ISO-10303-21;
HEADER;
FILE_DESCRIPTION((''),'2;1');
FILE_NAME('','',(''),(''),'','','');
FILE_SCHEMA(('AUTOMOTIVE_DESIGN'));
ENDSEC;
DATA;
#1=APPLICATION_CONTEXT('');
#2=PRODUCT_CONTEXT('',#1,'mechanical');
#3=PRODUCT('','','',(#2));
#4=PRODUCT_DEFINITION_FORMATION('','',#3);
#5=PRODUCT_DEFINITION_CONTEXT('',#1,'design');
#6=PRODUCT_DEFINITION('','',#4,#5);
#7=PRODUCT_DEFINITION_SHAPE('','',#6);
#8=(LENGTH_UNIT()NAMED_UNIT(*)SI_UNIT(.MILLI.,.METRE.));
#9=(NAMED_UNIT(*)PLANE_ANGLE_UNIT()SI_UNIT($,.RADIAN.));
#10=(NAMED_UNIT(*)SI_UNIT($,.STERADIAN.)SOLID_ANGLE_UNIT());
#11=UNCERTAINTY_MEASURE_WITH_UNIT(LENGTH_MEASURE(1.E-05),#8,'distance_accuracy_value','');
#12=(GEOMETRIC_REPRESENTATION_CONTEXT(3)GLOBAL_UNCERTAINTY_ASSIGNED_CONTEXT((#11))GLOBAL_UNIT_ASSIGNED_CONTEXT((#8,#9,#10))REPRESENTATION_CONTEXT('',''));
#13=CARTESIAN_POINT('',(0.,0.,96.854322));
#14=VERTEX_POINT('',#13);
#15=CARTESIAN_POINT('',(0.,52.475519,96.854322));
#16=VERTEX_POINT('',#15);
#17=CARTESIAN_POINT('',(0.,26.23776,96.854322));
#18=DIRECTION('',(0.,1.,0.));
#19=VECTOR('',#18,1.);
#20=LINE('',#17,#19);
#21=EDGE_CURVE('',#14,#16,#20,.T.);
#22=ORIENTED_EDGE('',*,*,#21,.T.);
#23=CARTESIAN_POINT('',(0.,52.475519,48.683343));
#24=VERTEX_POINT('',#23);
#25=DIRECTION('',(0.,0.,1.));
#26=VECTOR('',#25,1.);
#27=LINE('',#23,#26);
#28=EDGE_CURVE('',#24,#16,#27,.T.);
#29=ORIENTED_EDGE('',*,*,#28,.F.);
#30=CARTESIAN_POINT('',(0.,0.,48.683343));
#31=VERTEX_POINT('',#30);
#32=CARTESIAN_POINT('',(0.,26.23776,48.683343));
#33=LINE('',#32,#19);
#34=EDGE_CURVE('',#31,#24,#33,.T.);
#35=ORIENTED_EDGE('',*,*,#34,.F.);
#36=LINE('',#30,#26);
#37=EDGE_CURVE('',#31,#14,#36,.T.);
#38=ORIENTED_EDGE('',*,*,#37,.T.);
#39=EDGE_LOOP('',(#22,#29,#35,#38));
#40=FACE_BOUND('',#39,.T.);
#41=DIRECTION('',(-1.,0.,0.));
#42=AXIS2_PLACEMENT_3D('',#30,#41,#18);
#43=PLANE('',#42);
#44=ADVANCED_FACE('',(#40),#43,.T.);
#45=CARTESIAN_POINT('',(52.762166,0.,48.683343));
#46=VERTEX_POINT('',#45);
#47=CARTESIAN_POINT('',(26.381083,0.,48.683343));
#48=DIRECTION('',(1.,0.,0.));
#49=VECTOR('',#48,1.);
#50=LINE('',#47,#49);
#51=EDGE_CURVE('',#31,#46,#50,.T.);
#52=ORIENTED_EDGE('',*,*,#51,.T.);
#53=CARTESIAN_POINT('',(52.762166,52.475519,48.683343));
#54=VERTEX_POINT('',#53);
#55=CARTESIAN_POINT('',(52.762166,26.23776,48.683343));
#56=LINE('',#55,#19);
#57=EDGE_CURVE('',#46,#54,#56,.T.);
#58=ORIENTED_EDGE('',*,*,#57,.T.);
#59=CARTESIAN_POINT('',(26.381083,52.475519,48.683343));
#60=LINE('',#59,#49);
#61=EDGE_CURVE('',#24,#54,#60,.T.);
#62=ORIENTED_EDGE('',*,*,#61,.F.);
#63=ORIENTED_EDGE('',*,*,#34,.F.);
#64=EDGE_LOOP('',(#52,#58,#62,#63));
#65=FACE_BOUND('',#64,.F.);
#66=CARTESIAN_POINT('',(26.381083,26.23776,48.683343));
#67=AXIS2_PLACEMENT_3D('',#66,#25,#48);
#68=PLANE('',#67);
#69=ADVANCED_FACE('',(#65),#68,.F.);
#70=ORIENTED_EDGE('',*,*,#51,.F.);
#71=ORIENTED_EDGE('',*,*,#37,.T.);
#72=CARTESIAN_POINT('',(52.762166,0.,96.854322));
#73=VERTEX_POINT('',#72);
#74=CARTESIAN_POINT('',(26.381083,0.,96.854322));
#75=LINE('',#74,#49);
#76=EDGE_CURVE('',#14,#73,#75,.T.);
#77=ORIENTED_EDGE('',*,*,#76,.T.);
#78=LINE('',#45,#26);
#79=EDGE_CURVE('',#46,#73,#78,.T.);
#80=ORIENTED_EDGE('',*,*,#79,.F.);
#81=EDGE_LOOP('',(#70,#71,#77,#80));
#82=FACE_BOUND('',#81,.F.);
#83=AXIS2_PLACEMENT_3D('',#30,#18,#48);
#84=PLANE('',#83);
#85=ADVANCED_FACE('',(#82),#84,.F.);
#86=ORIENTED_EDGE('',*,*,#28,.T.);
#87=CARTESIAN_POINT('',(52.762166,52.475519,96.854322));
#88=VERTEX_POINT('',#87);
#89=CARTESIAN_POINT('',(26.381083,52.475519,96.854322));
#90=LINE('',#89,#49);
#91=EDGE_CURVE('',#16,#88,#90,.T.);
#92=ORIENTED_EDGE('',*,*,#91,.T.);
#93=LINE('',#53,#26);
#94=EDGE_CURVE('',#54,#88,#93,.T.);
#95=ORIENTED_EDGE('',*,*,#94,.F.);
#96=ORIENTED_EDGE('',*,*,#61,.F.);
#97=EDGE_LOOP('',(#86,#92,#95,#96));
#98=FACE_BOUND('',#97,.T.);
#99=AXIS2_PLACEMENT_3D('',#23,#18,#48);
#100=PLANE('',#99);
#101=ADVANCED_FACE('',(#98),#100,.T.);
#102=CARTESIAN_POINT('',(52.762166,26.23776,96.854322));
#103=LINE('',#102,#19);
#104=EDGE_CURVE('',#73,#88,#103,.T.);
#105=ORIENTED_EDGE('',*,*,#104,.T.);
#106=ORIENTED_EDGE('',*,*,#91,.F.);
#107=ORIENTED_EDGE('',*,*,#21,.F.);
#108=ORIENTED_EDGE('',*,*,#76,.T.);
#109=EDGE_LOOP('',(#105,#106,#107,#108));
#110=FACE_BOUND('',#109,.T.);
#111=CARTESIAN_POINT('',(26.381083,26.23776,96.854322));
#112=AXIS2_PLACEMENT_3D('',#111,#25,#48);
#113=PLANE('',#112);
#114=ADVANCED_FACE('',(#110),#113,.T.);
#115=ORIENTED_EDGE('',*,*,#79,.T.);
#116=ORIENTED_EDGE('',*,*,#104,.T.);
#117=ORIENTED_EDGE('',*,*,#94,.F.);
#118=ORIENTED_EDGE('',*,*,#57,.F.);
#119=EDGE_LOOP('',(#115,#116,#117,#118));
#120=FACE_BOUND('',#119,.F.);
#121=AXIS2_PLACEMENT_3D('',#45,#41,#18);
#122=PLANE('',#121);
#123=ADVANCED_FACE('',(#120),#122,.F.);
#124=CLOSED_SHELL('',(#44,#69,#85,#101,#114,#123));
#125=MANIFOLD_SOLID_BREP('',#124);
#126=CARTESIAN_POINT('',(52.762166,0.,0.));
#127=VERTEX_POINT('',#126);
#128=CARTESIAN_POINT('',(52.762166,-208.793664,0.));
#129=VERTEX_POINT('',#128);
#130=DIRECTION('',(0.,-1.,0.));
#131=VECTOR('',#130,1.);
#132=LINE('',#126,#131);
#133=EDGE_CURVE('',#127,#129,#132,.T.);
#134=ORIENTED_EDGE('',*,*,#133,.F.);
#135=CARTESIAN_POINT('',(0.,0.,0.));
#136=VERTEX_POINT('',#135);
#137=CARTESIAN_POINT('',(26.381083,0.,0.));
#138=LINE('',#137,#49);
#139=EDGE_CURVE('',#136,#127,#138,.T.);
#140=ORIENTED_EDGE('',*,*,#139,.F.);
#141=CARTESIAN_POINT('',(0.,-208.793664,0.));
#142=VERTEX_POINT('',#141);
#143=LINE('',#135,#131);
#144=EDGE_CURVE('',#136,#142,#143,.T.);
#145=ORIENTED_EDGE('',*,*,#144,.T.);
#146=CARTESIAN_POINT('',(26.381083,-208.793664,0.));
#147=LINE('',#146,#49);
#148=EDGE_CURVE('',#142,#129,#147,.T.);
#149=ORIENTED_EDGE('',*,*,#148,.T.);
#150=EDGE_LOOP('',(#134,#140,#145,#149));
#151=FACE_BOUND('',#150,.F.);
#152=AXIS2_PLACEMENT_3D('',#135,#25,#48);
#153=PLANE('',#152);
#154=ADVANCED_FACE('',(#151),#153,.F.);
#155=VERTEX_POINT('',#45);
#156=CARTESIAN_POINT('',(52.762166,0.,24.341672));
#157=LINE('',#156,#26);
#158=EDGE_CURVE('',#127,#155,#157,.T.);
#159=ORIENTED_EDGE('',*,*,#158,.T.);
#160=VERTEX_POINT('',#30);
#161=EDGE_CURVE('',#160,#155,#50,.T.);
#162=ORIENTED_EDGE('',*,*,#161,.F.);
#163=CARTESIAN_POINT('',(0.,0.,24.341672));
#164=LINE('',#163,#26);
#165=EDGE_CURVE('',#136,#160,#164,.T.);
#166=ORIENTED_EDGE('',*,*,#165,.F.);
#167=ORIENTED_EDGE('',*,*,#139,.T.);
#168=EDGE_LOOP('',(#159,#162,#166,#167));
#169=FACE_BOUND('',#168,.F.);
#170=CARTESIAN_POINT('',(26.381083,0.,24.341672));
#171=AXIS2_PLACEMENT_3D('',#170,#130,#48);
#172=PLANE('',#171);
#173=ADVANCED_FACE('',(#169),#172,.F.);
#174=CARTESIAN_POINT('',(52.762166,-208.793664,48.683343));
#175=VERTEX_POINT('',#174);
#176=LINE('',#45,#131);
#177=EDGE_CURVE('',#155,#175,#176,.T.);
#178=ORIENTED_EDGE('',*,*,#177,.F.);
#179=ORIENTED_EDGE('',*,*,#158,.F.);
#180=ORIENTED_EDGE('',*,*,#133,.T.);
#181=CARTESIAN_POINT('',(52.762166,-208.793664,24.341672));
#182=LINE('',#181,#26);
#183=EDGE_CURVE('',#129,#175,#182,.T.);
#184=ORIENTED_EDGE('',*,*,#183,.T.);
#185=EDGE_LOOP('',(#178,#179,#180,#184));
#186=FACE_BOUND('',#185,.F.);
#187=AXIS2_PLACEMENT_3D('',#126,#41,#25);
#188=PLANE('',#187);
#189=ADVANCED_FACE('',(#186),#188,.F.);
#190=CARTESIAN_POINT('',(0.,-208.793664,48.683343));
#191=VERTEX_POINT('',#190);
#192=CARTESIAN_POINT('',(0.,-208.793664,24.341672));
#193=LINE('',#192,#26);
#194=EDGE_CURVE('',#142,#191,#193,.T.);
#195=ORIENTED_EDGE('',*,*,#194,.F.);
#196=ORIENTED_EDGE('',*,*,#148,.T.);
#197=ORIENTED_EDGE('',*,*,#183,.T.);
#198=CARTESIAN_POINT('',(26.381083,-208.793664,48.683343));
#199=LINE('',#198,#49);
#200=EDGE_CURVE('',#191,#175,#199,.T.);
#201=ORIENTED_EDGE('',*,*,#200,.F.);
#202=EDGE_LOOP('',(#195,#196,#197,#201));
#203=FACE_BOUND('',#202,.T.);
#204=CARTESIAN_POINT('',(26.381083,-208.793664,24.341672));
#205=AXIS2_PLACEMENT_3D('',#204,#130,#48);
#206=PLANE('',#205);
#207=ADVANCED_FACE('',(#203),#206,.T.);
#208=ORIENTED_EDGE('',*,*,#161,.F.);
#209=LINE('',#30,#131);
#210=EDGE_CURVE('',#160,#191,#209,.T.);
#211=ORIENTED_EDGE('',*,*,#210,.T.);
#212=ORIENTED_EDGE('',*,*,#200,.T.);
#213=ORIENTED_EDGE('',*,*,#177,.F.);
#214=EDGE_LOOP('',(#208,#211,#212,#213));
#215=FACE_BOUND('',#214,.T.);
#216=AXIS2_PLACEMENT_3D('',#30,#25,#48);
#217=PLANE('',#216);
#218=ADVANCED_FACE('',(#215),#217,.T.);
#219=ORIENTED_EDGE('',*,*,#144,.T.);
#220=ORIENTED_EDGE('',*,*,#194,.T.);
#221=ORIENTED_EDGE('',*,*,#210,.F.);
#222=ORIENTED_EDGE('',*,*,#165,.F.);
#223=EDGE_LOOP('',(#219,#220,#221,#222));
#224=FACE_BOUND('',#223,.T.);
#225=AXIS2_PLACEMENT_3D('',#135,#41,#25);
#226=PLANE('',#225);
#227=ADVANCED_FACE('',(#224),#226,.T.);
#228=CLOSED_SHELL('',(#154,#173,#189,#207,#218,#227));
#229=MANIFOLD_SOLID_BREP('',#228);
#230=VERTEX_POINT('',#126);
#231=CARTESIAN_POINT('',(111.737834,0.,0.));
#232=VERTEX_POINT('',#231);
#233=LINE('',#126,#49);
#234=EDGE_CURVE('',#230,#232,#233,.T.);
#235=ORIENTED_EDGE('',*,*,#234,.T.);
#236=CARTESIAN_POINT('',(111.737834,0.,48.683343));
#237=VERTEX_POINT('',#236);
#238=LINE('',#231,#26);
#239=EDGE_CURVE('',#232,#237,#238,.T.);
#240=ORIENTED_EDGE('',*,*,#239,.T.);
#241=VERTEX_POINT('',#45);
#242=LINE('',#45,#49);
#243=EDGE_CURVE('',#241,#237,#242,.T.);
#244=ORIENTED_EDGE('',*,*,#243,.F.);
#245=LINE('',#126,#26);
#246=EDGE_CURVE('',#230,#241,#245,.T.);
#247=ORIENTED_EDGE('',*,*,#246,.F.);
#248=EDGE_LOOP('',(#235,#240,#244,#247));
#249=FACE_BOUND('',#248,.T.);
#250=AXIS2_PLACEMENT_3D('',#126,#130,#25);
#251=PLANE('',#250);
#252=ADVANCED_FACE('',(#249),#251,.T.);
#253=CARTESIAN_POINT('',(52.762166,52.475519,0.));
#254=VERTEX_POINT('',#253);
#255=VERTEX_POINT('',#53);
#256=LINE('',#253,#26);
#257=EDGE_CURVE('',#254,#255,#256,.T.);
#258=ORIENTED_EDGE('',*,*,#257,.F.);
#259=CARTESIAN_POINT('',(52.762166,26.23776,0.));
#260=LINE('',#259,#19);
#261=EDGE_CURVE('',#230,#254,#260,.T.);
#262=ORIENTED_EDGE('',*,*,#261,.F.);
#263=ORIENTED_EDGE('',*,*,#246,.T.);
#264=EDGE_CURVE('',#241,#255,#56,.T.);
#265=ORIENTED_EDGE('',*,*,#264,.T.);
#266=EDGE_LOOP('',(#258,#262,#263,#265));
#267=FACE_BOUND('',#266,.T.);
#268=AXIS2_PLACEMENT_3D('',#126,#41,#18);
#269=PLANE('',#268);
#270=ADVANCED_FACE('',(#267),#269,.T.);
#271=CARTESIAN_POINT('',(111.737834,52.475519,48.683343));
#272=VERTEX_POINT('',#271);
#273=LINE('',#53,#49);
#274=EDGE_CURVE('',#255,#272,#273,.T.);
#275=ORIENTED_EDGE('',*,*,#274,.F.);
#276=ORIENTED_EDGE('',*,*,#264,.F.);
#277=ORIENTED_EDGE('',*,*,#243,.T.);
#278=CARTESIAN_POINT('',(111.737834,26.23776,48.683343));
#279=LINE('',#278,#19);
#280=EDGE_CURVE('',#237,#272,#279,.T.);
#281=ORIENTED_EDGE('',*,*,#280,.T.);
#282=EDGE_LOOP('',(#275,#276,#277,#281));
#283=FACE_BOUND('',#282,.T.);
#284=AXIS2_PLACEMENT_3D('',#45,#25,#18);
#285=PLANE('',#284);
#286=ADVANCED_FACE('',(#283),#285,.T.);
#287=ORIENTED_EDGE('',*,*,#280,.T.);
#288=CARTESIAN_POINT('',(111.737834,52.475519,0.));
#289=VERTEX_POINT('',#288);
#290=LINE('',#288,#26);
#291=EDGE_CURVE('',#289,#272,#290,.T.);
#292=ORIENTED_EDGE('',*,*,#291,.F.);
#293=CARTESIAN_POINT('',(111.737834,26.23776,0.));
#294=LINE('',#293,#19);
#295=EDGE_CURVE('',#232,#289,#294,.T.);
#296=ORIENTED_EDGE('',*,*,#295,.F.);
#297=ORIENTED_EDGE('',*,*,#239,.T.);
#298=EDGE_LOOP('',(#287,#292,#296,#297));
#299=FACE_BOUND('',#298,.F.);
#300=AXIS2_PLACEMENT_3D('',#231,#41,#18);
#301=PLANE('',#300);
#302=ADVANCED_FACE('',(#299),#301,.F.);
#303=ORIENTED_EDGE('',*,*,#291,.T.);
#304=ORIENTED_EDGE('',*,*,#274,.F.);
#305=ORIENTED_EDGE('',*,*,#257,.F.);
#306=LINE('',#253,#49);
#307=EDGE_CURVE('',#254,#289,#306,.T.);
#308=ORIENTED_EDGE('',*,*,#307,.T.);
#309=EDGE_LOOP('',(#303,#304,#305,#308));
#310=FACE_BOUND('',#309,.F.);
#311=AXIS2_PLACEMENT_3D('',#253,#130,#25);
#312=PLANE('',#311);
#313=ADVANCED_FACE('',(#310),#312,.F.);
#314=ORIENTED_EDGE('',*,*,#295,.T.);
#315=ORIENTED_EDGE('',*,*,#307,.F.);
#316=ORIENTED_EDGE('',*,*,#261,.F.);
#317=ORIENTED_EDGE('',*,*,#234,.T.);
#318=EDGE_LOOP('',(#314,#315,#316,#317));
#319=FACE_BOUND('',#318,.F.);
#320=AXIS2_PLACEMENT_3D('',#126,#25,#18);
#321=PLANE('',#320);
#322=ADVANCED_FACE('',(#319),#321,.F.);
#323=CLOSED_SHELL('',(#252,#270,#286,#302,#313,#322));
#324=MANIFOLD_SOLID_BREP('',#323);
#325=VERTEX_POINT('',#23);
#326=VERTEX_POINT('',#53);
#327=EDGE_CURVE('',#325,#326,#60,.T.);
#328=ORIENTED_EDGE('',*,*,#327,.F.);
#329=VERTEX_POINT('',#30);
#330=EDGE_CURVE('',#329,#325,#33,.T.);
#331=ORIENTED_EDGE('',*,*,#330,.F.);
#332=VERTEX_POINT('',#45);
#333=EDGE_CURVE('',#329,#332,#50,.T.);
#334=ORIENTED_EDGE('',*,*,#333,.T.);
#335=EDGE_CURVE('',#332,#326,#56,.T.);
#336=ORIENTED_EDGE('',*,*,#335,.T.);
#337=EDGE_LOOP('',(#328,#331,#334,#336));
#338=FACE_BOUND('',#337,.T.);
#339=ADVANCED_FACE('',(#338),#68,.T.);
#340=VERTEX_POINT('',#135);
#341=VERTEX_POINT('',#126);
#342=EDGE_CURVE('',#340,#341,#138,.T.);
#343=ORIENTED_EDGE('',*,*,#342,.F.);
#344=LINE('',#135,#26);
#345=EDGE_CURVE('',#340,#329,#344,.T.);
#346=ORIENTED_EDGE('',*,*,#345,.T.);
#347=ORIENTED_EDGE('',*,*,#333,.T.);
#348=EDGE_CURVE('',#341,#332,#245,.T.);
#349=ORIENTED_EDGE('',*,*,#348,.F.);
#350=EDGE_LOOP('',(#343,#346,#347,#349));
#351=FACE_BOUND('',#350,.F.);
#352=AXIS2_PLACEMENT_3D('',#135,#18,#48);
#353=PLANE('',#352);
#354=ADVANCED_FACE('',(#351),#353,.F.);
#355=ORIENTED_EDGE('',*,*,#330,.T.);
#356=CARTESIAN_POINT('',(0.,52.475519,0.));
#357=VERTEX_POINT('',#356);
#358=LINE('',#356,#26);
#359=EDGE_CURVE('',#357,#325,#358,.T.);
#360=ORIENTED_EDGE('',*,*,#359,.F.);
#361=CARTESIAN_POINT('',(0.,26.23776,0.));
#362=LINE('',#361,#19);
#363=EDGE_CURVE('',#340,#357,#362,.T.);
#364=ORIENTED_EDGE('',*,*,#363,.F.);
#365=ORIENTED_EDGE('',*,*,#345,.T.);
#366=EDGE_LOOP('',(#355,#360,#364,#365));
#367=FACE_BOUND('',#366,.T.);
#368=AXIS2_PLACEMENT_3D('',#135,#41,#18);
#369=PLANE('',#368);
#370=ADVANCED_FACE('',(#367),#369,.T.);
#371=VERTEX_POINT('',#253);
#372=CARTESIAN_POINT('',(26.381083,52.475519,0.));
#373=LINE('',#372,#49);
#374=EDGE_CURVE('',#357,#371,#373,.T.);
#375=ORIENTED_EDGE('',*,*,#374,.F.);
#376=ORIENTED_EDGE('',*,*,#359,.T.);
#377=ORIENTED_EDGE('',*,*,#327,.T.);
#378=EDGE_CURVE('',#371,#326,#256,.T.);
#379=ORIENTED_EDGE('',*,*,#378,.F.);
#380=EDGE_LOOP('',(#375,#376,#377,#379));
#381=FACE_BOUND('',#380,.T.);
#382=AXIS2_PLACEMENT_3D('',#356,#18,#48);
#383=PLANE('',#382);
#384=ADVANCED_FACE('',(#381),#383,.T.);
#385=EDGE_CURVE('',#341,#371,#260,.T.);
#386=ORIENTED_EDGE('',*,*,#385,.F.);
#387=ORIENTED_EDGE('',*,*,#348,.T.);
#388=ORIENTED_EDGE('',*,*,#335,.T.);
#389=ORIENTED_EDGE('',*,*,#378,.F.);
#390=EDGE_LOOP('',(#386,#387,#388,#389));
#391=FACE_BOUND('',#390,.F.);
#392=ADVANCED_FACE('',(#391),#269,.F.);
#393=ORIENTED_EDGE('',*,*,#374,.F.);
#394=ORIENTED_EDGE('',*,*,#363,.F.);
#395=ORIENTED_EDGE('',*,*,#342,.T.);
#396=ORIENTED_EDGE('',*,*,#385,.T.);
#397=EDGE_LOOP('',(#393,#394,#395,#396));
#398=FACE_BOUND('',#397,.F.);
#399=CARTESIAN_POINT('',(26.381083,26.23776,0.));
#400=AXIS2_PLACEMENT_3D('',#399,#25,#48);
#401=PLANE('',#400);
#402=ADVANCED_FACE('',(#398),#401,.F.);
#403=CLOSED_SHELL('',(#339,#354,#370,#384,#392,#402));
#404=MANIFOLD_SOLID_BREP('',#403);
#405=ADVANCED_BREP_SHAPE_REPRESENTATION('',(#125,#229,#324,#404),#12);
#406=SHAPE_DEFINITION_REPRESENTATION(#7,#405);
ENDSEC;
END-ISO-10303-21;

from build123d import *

# Parameters (mm, degrees)
F0_W     = 52.7621656656
F0_H     = 52.4755194783
F1_DEPTH = 48.6833434552
F2_DEPTH = 48.1709782034
F3_W     = 52.7621656656
F3_H     = 48.6833434552
F4_DEPTH = 208.7936643511
F5_DEPTH = 58.975668624


with BuildPart() as f1:
    # F0 (on Top) → F1 (new body)
    with BuildSketch(Plane.XY):
        with Locations((26.3810828328, 26.2377597392)):
            Rectangle(F0_W, F0_H)
    extrude(amount=F1_DEPTH)


with BuildPart() as f2:
    # F2 (new): a face of the model
    f2_faces = [f1.part.faces().sort_by_distance(p)[0] for p in [
        (26.3810828328, 26.2377597392, 48.6833434552),
    ]]
    extrude(f2_faces, amount=F2_DEPTH)


with BuildPart() as f4:
    # F3 (on face) → F4 (new body)
    with BuildSketch(Plane.XZ):
        with Locations((26.3810828328, 24.3416717276)):
            Rectangle(F3_W, F3_H)
    extrude(amount=F4_DEPTH)


with BuildPart() as f5:
    # F5 (new): a face of the model
    f5_faces = [f1.part.faces().sort_by_distance(p)[0] for p in [
        (52.7621656656, 26.2377597392, 24.3416717276),
    ]]
    extrude(f5_faces, amount=F5_DEPTH)


solid = Compound([f1.part, f2.part, f4.part, f5.part])
